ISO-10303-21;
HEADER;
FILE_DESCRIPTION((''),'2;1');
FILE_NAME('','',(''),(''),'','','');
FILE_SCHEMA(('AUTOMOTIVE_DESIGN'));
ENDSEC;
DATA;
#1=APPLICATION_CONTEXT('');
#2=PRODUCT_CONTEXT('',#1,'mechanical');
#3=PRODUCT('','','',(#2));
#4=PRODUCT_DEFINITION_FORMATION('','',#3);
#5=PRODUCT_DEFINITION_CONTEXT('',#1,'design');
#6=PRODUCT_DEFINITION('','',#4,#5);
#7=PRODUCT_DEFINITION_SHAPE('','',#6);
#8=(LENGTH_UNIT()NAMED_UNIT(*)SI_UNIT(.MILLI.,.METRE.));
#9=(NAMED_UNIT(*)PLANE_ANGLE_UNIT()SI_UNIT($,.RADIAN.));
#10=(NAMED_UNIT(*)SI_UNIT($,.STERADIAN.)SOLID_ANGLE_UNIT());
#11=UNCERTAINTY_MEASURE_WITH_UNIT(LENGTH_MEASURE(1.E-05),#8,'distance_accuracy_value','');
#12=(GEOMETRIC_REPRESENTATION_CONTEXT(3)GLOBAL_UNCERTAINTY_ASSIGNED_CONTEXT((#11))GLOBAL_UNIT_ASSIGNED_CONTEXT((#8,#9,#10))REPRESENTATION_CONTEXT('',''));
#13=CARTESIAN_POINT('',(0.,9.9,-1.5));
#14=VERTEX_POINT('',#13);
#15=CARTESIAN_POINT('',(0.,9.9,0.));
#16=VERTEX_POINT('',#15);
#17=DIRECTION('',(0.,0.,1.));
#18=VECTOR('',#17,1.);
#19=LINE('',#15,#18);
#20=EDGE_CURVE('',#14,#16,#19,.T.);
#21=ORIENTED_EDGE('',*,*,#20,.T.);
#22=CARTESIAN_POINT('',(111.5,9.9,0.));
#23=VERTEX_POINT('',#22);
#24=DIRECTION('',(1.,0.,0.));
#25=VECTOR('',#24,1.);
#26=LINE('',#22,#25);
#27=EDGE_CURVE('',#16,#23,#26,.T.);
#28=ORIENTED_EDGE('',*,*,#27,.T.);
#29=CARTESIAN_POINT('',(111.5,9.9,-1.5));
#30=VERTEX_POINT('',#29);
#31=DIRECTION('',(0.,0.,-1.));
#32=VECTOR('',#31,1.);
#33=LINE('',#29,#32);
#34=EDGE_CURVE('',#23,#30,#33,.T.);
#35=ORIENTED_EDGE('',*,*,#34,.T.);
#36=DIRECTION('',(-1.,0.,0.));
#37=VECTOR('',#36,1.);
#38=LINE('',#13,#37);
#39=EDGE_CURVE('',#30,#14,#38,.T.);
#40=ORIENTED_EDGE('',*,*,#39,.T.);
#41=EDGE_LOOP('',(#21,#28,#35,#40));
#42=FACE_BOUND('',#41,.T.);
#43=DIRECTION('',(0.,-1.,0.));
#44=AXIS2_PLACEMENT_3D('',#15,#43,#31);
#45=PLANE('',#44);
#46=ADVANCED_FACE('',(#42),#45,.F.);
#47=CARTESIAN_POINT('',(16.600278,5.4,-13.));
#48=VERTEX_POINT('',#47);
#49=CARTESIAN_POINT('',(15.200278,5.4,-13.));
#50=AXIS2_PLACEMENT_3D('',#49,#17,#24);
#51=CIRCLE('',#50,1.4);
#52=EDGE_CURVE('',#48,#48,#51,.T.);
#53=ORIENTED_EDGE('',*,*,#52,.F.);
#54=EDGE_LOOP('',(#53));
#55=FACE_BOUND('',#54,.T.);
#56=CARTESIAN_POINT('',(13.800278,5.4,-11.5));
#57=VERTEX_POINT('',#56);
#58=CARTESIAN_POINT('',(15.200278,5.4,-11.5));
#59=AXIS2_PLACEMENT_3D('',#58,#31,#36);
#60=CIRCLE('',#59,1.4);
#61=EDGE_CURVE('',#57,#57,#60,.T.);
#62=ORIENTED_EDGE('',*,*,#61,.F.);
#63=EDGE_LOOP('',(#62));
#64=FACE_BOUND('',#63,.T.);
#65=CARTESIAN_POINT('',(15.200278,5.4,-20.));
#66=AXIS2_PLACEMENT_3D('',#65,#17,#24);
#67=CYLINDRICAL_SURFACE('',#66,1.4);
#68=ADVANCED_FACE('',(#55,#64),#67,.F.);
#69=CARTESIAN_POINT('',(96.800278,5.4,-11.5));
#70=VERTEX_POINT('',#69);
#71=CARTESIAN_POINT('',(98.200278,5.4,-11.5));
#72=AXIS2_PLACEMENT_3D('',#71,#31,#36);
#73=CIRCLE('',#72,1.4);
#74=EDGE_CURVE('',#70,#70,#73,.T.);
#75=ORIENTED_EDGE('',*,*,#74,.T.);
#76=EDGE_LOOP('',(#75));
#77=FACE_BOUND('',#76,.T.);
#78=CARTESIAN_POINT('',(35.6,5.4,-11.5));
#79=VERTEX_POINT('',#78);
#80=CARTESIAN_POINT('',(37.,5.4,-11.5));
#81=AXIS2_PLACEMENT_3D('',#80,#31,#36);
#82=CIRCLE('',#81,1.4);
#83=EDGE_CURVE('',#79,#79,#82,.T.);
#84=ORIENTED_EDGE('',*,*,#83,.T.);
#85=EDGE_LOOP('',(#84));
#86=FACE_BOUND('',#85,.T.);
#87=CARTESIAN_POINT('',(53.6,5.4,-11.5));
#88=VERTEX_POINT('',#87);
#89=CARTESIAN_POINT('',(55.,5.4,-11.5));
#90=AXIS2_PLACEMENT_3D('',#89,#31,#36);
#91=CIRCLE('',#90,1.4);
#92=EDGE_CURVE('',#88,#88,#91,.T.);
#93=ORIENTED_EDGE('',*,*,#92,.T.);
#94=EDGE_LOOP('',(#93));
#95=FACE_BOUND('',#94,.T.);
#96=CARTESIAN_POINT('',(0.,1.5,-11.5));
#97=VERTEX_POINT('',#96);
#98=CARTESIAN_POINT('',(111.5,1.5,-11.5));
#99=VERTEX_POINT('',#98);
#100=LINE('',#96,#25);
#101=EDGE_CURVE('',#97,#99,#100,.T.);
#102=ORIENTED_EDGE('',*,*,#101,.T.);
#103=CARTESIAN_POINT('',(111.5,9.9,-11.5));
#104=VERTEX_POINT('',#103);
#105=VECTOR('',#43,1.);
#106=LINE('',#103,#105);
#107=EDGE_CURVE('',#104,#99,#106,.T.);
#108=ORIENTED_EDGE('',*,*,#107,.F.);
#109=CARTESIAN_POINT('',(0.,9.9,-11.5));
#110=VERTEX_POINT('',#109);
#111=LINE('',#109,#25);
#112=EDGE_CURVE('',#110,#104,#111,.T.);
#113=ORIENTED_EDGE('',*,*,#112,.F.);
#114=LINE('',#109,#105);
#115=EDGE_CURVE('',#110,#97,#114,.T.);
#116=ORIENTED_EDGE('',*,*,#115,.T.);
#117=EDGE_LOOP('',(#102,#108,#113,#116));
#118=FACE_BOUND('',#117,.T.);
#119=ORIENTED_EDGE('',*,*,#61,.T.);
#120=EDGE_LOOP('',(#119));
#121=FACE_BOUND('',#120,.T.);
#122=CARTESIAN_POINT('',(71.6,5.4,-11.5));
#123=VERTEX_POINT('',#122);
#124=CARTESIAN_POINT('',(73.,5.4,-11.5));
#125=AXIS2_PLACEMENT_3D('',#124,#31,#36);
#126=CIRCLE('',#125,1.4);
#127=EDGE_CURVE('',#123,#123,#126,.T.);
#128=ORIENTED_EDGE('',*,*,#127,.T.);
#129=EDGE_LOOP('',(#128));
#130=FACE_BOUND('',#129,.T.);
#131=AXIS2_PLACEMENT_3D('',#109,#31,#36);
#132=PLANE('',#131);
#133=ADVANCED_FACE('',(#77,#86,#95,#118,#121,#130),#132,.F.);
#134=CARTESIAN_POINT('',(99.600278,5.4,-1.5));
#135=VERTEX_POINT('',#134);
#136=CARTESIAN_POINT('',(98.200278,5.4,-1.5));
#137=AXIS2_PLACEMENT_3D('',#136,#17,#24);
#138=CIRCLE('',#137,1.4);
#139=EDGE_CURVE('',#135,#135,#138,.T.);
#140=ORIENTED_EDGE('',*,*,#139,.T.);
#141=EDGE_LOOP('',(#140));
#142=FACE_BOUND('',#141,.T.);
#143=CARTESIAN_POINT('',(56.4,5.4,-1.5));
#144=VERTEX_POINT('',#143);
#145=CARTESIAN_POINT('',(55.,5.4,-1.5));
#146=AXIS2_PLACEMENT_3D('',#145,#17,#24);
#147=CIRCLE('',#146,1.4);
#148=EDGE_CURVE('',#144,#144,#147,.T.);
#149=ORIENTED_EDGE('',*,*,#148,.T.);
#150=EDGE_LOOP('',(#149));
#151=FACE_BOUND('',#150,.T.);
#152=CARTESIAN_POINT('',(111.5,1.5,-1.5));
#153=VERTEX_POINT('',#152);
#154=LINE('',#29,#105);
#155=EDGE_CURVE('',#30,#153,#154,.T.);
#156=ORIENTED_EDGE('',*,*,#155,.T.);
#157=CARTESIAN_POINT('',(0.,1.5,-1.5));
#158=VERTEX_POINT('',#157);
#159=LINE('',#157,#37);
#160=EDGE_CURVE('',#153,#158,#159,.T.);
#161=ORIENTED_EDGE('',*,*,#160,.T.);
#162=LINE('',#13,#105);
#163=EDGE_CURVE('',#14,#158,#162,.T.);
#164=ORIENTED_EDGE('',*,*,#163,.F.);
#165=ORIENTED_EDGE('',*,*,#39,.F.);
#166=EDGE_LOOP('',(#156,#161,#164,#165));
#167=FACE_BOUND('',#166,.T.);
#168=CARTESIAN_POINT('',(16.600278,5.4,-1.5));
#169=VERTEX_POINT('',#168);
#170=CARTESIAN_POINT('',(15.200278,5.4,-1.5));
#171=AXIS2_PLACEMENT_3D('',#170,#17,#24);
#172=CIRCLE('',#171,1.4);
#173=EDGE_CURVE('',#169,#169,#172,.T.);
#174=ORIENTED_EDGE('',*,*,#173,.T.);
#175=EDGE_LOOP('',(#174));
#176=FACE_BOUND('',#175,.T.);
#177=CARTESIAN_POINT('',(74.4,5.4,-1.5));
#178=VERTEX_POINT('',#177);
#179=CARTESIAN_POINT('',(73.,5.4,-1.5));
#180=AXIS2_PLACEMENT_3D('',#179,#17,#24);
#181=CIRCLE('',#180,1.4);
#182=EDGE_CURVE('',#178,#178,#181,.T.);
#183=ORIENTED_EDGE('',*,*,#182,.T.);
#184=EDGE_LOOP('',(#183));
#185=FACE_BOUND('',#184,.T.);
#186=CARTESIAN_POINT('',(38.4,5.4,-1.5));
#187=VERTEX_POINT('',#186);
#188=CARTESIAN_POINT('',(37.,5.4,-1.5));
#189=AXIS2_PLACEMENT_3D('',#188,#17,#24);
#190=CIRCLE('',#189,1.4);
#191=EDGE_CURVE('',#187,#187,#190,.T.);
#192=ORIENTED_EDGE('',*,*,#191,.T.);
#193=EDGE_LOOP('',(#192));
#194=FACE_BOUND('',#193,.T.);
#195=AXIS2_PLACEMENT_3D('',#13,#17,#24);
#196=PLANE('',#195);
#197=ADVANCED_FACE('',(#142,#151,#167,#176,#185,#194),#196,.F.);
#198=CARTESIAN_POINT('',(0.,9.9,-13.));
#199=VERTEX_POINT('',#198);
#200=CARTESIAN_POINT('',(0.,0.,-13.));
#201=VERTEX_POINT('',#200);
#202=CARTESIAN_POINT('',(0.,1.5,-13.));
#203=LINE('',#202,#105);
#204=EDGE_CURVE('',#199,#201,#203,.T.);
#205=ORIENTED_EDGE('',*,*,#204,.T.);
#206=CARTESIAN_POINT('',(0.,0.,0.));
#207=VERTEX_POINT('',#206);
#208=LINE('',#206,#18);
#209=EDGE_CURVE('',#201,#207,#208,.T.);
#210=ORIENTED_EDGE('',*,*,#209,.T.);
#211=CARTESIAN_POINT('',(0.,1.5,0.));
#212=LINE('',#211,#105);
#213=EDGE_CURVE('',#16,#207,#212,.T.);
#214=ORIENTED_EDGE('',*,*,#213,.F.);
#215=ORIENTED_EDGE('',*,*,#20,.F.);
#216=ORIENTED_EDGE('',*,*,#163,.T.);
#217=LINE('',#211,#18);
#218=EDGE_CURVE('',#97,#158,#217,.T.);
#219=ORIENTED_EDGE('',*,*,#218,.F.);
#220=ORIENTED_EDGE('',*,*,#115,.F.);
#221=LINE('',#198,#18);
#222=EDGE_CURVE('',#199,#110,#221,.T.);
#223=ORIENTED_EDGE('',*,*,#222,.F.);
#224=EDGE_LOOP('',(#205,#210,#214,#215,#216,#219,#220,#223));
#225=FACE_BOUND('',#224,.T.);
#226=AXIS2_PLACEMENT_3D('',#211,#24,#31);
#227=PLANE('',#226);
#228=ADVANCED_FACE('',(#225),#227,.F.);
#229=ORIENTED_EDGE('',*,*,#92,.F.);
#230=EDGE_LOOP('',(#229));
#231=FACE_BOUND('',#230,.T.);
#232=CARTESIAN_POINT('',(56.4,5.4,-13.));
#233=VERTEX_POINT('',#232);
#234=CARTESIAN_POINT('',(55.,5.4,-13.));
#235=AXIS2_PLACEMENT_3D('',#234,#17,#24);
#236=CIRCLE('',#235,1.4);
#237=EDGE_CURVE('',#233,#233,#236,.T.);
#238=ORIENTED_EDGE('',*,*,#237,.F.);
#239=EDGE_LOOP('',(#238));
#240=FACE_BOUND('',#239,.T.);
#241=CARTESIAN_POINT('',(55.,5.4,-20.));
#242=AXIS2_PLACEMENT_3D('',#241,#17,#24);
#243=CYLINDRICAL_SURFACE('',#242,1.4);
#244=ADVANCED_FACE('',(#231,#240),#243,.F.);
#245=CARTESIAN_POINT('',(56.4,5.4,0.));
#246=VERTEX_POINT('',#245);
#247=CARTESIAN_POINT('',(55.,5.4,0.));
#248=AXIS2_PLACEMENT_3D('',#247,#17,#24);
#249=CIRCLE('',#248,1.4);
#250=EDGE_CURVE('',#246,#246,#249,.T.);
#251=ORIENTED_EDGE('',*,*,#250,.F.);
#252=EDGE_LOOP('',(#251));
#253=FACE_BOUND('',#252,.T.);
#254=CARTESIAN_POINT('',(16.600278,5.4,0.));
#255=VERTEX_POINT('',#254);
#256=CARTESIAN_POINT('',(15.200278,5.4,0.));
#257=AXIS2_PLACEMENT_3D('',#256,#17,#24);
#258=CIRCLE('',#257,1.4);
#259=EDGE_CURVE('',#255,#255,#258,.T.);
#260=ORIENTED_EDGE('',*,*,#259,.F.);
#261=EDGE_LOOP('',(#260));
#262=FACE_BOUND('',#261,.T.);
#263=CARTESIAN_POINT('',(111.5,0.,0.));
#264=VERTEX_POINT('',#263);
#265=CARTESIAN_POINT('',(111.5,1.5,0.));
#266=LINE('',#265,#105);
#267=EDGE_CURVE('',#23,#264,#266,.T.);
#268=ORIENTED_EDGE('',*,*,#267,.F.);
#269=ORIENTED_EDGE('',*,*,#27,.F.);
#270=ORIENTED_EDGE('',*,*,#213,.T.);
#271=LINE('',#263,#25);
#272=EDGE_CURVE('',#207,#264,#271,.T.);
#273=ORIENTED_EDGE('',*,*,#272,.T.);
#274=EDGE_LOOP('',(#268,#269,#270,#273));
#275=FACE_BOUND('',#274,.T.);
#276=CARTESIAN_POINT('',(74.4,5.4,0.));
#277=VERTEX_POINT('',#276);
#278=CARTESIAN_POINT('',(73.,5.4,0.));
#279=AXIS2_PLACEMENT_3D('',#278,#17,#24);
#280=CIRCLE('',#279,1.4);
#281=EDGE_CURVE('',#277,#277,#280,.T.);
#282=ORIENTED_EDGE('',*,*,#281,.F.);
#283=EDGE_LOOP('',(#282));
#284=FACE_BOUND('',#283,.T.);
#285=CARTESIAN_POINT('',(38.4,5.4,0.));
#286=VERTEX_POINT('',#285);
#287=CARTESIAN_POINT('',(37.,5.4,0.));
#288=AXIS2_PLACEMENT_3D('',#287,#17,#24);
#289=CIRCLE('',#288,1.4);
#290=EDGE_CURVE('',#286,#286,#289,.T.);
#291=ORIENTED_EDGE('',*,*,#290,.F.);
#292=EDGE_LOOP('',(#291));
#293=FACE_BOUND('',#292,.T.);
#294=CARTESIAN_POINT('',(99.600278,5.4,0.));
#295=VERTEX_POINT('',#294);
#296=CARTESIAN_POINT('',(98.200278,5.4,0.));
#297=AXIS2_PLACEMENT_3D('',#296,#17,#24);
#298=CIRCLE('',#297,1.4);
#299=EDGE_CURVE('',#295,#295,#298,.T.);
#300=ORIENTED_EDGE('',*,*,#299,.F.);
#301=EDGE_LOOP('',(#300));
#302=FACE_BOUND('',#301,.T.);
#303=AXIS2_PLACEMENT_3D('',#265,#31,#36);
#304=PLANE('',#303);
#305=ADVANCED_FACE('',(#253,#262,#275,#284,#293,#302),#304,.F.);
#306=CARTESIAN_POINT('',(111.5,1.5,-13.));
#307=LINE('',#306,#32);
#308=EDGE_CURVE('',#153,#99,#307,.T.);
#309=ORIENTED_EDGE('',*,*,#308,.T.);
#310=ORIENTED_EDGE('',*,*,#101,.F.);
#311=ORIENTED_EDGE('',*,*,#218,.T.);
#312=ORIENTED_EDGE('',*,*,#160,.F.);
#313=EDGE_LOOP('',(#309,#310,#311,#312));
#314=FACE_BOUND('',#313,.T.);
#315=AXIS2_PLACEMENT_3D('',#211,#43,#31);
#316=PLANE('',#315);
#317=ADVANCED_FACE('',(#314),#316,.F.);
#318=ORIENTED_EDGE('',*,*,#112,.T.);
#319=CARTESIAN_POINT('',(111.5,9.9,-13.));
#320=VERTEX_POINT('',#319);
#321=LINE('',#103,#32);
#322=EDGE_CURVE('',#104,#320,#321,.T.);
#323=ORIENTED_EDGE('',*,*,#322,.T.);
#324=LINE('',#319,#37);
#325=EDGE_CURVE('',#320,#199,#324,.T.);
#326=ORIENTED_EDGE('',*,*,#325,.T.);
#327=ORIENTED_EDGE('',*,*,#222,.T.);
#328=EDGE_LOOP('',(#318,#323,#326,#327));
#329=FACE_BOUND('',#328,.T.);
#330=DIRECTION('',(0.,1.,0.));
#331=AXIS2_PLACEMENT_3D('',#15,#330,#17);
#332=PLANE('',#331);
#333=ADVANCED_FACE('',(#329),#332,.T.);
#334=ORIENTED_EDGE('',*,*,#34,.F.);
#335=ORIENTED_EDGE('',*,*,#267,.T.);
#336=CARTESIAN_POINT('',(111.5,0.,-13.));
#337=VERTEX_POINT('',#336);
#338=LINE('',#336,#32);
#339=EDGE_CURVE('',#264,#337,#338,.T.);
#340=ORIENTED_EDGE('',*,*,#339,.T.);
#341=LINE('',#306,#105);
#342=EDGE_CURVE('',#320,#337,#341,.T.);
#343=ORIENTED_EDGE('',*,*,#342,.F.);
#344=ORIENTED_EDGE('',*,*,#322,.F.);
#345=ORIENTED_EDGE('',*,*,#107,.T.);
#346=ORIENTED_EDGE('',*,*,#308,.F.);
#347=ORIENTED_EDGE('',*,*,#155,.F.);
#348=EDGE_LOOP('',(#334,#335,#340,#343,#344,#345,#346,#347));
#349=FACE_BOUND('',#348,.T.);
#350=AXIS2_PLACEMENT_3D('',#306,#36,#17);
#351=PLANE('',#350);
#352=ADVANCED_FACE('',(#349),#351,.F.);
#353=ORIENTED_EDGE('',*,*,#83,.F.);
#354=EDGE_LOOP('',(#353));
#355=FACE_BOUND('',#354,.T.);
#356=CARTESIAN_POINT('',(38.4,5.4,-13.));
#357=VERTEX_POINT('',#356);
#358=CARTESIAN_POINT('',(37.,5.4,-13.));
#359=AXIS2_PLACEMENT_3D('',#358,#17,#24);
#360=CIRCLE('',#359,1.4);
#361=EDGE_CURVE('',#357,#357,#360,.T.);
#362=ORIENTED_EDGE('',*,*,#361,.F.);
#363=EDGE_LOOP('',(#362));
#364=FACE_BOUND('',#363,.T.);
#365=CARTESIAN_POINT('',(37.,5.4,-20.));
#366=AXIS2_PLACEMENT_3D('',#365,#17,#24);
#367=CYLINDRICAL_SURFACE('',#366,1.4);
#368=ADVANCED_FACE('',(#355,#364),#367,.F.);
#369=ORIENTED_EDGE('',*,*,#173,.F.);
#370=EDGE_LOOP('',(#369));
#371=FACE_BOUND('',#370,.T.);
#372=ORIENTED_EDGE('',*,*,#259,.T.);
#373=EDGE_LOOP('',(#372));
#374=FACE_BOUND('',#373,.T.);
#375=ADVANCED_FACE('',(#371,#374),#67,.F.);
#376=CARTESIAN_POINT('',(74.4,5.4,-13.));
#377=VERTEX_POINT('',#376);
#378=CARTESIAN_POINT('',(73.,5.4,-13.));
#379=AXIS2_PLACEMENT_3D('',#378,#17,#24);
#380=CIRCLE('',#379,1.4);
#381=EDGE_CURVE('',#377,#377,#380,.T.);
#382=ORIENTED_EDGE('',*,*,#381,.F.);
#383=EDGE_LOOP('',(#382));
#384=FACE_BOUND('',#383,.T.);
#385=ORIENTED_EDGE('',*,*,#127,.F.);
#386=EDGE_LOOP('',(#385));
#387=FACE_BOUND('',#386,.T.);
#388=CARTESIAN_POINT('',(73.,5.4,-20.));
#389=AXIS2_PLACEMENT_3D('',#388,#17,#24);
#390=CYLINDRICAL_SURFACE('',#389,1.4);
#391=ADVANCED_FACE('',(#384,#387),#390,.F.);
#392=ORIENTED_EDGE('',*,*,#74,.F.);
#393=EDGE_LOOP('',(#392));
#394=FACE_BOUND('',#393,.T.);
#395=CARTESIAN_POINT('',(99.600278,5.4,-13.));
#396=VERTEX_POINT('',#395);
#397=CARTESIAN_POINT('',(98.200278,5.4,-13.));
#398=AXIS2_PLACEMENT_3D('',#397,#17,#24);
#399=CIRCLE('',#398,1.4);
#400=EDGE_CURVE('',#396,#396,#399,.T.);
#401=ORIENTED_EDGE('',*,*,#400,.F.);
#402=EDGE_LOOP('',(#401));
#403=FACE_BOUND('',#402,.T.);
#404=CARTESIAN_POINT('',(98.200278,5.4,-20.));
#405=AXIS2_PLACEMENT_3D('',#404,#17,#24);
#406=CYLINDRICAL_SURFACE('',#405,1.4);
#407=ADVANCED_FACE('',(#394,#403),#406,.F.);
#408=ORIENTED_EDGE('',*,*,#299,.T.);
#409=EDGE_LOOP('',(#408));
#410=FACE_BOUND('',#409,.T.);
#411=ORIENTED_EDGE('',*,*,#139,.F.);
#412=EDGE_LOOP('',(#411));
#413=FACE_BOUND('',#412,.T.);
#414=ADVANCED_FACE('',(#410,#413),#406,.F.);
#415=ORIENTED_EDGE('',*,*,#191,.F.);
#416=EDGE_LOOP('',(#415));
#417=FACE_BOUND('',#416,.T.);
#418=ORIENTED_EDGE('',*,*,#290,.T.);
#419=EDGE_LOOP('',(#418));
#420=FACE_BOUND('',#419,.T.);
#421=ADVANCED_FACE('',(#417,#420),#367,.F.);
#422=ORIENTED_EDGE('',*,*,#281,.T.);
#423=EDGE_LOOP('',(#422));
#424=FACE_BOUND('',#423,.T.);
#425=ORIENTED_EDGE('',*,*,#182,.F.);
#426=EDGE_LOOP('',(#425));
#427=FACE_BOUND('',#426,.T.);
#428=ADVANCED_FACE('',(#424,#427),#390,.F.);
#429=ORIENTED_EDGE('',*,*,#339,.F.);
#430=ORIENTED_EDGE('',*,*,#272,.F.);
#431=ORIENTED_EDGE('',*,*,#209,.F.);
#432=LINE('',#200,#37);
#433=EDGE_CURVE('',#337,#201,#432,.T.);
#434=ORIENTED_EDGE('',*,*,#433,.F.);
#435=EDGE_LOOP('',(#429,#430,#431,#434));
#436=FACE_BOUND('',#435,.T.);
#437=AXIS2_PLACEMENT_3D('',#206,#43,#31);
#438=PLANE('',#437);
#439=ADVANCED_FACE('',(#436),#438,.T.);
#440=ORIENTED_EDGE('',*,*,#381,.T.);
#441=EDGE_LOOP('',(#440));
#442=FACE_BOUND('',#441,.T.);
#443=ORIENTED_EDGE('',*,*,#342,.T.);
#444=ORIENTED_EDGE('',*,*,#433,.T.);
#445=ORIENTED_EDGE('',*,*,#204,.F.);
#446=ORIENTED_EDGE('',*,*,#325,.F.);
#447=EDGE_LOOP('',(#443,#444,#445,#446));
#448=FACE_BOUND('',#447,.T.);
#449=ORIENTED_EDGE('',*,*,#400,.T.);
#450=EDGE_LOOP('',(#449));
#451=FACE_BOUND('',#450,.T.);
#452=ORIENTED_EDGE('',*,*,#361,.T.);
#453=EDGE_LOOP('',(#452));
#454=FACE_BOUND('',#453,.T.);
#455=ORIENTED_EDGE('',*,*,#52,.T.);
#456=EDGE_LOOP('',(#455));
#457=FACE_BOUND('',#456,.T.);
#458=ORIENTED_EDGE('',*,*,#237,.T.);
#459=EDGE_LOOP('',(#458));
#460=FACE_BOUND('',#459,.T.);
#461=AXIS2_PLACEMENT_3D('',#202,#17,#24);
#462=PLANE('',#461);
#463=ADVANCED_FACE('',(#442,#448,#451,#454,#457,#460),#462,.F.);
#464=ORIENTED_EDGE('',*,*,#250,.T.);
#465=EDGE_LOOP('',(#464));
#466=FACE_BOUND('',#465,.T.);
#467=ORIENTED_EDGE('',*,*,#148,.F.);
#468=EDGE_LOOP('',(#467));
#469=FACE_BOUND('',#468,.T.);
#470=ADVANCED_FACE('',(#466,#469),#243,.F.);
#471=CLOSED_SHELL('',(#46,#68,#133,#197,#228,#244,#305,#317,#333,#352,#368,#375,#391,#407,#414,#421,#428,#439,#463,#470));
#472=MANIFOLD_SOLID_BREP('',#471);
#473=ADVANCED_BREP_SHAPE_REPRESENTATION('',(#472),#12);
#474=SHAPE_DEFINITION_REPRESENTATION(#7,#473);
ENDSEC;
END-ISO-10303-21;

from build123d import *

# Parameters (mm, degrees)
ESQUISSE1_W             = 111.5
ESQUISSE1_H             = 13
BOSS_EXTRU_1_DEPTH      = 1.5
ESQUISSE2_W             = 111.5
ESQUISSE2_H             = 1.5
BOSS_EXTRU_2_DEPTH      = 8.4
ESQUISSE4_R             = 1.4
ENL_V_MAT_EXTRU_1_DEPTH = 20


with BuildPart() as part:
    # Esquisse1 → Boss.-Extru.1 (new body)
    with BuildSketch(Plane(origin=(0, 0, 0), x_dir=(1, 0, 0), z_dir=(0, 1, 0))):
        with Locations((55.75, 6.5)):
            Rectangle(ESQUISSE1_W, ESQUISSE1_H)
    extrude(amount=BOSS_EXTRU_1_DEPTH)

    # Esquisse2 → Boss.-Extru.2 (add)
    with BuildSketch(Plane(origin=(0, 1.5, 0), x_dir=(1, 0, 0), z_dir=(0, 1, 0))):
        with Locations((55.75, 12.25)):
            Rectangle(ESQUISSE2_W, ESQUISSE2_H)
        with Locations((55.75, 0.75)):
            Rectangle(ESQUISSE2_W, ESQUISSE2_H)
    extrude(amount=BOSS_EXTRU_2_DEPTH)

    # Esquisse4 → Enlèv. mat.-Extru.1 (cut)
    with BuildSketch(Plane.XY):
        with Locations((37, 5.4)):
            Circle(ESQUISSE4_R)
        with Locations((55, 5.4)):
            Circle(ESQUISSE4_R)
        with Locations((73, 5.4)):
            Circle(ESQUISSE4_R)
        with Locations((15.200278481, 5.4)):
            Circle(ESQUISSE4_R)
        with Locations((98.200278481, 5.4)):
            Circle(ESQUISSE4_R)
    extrude(amount=-ENL_V_MAT_EXTRU_1_DEPTH, mode=Mode.SUBTRACT)


solid = part.part
